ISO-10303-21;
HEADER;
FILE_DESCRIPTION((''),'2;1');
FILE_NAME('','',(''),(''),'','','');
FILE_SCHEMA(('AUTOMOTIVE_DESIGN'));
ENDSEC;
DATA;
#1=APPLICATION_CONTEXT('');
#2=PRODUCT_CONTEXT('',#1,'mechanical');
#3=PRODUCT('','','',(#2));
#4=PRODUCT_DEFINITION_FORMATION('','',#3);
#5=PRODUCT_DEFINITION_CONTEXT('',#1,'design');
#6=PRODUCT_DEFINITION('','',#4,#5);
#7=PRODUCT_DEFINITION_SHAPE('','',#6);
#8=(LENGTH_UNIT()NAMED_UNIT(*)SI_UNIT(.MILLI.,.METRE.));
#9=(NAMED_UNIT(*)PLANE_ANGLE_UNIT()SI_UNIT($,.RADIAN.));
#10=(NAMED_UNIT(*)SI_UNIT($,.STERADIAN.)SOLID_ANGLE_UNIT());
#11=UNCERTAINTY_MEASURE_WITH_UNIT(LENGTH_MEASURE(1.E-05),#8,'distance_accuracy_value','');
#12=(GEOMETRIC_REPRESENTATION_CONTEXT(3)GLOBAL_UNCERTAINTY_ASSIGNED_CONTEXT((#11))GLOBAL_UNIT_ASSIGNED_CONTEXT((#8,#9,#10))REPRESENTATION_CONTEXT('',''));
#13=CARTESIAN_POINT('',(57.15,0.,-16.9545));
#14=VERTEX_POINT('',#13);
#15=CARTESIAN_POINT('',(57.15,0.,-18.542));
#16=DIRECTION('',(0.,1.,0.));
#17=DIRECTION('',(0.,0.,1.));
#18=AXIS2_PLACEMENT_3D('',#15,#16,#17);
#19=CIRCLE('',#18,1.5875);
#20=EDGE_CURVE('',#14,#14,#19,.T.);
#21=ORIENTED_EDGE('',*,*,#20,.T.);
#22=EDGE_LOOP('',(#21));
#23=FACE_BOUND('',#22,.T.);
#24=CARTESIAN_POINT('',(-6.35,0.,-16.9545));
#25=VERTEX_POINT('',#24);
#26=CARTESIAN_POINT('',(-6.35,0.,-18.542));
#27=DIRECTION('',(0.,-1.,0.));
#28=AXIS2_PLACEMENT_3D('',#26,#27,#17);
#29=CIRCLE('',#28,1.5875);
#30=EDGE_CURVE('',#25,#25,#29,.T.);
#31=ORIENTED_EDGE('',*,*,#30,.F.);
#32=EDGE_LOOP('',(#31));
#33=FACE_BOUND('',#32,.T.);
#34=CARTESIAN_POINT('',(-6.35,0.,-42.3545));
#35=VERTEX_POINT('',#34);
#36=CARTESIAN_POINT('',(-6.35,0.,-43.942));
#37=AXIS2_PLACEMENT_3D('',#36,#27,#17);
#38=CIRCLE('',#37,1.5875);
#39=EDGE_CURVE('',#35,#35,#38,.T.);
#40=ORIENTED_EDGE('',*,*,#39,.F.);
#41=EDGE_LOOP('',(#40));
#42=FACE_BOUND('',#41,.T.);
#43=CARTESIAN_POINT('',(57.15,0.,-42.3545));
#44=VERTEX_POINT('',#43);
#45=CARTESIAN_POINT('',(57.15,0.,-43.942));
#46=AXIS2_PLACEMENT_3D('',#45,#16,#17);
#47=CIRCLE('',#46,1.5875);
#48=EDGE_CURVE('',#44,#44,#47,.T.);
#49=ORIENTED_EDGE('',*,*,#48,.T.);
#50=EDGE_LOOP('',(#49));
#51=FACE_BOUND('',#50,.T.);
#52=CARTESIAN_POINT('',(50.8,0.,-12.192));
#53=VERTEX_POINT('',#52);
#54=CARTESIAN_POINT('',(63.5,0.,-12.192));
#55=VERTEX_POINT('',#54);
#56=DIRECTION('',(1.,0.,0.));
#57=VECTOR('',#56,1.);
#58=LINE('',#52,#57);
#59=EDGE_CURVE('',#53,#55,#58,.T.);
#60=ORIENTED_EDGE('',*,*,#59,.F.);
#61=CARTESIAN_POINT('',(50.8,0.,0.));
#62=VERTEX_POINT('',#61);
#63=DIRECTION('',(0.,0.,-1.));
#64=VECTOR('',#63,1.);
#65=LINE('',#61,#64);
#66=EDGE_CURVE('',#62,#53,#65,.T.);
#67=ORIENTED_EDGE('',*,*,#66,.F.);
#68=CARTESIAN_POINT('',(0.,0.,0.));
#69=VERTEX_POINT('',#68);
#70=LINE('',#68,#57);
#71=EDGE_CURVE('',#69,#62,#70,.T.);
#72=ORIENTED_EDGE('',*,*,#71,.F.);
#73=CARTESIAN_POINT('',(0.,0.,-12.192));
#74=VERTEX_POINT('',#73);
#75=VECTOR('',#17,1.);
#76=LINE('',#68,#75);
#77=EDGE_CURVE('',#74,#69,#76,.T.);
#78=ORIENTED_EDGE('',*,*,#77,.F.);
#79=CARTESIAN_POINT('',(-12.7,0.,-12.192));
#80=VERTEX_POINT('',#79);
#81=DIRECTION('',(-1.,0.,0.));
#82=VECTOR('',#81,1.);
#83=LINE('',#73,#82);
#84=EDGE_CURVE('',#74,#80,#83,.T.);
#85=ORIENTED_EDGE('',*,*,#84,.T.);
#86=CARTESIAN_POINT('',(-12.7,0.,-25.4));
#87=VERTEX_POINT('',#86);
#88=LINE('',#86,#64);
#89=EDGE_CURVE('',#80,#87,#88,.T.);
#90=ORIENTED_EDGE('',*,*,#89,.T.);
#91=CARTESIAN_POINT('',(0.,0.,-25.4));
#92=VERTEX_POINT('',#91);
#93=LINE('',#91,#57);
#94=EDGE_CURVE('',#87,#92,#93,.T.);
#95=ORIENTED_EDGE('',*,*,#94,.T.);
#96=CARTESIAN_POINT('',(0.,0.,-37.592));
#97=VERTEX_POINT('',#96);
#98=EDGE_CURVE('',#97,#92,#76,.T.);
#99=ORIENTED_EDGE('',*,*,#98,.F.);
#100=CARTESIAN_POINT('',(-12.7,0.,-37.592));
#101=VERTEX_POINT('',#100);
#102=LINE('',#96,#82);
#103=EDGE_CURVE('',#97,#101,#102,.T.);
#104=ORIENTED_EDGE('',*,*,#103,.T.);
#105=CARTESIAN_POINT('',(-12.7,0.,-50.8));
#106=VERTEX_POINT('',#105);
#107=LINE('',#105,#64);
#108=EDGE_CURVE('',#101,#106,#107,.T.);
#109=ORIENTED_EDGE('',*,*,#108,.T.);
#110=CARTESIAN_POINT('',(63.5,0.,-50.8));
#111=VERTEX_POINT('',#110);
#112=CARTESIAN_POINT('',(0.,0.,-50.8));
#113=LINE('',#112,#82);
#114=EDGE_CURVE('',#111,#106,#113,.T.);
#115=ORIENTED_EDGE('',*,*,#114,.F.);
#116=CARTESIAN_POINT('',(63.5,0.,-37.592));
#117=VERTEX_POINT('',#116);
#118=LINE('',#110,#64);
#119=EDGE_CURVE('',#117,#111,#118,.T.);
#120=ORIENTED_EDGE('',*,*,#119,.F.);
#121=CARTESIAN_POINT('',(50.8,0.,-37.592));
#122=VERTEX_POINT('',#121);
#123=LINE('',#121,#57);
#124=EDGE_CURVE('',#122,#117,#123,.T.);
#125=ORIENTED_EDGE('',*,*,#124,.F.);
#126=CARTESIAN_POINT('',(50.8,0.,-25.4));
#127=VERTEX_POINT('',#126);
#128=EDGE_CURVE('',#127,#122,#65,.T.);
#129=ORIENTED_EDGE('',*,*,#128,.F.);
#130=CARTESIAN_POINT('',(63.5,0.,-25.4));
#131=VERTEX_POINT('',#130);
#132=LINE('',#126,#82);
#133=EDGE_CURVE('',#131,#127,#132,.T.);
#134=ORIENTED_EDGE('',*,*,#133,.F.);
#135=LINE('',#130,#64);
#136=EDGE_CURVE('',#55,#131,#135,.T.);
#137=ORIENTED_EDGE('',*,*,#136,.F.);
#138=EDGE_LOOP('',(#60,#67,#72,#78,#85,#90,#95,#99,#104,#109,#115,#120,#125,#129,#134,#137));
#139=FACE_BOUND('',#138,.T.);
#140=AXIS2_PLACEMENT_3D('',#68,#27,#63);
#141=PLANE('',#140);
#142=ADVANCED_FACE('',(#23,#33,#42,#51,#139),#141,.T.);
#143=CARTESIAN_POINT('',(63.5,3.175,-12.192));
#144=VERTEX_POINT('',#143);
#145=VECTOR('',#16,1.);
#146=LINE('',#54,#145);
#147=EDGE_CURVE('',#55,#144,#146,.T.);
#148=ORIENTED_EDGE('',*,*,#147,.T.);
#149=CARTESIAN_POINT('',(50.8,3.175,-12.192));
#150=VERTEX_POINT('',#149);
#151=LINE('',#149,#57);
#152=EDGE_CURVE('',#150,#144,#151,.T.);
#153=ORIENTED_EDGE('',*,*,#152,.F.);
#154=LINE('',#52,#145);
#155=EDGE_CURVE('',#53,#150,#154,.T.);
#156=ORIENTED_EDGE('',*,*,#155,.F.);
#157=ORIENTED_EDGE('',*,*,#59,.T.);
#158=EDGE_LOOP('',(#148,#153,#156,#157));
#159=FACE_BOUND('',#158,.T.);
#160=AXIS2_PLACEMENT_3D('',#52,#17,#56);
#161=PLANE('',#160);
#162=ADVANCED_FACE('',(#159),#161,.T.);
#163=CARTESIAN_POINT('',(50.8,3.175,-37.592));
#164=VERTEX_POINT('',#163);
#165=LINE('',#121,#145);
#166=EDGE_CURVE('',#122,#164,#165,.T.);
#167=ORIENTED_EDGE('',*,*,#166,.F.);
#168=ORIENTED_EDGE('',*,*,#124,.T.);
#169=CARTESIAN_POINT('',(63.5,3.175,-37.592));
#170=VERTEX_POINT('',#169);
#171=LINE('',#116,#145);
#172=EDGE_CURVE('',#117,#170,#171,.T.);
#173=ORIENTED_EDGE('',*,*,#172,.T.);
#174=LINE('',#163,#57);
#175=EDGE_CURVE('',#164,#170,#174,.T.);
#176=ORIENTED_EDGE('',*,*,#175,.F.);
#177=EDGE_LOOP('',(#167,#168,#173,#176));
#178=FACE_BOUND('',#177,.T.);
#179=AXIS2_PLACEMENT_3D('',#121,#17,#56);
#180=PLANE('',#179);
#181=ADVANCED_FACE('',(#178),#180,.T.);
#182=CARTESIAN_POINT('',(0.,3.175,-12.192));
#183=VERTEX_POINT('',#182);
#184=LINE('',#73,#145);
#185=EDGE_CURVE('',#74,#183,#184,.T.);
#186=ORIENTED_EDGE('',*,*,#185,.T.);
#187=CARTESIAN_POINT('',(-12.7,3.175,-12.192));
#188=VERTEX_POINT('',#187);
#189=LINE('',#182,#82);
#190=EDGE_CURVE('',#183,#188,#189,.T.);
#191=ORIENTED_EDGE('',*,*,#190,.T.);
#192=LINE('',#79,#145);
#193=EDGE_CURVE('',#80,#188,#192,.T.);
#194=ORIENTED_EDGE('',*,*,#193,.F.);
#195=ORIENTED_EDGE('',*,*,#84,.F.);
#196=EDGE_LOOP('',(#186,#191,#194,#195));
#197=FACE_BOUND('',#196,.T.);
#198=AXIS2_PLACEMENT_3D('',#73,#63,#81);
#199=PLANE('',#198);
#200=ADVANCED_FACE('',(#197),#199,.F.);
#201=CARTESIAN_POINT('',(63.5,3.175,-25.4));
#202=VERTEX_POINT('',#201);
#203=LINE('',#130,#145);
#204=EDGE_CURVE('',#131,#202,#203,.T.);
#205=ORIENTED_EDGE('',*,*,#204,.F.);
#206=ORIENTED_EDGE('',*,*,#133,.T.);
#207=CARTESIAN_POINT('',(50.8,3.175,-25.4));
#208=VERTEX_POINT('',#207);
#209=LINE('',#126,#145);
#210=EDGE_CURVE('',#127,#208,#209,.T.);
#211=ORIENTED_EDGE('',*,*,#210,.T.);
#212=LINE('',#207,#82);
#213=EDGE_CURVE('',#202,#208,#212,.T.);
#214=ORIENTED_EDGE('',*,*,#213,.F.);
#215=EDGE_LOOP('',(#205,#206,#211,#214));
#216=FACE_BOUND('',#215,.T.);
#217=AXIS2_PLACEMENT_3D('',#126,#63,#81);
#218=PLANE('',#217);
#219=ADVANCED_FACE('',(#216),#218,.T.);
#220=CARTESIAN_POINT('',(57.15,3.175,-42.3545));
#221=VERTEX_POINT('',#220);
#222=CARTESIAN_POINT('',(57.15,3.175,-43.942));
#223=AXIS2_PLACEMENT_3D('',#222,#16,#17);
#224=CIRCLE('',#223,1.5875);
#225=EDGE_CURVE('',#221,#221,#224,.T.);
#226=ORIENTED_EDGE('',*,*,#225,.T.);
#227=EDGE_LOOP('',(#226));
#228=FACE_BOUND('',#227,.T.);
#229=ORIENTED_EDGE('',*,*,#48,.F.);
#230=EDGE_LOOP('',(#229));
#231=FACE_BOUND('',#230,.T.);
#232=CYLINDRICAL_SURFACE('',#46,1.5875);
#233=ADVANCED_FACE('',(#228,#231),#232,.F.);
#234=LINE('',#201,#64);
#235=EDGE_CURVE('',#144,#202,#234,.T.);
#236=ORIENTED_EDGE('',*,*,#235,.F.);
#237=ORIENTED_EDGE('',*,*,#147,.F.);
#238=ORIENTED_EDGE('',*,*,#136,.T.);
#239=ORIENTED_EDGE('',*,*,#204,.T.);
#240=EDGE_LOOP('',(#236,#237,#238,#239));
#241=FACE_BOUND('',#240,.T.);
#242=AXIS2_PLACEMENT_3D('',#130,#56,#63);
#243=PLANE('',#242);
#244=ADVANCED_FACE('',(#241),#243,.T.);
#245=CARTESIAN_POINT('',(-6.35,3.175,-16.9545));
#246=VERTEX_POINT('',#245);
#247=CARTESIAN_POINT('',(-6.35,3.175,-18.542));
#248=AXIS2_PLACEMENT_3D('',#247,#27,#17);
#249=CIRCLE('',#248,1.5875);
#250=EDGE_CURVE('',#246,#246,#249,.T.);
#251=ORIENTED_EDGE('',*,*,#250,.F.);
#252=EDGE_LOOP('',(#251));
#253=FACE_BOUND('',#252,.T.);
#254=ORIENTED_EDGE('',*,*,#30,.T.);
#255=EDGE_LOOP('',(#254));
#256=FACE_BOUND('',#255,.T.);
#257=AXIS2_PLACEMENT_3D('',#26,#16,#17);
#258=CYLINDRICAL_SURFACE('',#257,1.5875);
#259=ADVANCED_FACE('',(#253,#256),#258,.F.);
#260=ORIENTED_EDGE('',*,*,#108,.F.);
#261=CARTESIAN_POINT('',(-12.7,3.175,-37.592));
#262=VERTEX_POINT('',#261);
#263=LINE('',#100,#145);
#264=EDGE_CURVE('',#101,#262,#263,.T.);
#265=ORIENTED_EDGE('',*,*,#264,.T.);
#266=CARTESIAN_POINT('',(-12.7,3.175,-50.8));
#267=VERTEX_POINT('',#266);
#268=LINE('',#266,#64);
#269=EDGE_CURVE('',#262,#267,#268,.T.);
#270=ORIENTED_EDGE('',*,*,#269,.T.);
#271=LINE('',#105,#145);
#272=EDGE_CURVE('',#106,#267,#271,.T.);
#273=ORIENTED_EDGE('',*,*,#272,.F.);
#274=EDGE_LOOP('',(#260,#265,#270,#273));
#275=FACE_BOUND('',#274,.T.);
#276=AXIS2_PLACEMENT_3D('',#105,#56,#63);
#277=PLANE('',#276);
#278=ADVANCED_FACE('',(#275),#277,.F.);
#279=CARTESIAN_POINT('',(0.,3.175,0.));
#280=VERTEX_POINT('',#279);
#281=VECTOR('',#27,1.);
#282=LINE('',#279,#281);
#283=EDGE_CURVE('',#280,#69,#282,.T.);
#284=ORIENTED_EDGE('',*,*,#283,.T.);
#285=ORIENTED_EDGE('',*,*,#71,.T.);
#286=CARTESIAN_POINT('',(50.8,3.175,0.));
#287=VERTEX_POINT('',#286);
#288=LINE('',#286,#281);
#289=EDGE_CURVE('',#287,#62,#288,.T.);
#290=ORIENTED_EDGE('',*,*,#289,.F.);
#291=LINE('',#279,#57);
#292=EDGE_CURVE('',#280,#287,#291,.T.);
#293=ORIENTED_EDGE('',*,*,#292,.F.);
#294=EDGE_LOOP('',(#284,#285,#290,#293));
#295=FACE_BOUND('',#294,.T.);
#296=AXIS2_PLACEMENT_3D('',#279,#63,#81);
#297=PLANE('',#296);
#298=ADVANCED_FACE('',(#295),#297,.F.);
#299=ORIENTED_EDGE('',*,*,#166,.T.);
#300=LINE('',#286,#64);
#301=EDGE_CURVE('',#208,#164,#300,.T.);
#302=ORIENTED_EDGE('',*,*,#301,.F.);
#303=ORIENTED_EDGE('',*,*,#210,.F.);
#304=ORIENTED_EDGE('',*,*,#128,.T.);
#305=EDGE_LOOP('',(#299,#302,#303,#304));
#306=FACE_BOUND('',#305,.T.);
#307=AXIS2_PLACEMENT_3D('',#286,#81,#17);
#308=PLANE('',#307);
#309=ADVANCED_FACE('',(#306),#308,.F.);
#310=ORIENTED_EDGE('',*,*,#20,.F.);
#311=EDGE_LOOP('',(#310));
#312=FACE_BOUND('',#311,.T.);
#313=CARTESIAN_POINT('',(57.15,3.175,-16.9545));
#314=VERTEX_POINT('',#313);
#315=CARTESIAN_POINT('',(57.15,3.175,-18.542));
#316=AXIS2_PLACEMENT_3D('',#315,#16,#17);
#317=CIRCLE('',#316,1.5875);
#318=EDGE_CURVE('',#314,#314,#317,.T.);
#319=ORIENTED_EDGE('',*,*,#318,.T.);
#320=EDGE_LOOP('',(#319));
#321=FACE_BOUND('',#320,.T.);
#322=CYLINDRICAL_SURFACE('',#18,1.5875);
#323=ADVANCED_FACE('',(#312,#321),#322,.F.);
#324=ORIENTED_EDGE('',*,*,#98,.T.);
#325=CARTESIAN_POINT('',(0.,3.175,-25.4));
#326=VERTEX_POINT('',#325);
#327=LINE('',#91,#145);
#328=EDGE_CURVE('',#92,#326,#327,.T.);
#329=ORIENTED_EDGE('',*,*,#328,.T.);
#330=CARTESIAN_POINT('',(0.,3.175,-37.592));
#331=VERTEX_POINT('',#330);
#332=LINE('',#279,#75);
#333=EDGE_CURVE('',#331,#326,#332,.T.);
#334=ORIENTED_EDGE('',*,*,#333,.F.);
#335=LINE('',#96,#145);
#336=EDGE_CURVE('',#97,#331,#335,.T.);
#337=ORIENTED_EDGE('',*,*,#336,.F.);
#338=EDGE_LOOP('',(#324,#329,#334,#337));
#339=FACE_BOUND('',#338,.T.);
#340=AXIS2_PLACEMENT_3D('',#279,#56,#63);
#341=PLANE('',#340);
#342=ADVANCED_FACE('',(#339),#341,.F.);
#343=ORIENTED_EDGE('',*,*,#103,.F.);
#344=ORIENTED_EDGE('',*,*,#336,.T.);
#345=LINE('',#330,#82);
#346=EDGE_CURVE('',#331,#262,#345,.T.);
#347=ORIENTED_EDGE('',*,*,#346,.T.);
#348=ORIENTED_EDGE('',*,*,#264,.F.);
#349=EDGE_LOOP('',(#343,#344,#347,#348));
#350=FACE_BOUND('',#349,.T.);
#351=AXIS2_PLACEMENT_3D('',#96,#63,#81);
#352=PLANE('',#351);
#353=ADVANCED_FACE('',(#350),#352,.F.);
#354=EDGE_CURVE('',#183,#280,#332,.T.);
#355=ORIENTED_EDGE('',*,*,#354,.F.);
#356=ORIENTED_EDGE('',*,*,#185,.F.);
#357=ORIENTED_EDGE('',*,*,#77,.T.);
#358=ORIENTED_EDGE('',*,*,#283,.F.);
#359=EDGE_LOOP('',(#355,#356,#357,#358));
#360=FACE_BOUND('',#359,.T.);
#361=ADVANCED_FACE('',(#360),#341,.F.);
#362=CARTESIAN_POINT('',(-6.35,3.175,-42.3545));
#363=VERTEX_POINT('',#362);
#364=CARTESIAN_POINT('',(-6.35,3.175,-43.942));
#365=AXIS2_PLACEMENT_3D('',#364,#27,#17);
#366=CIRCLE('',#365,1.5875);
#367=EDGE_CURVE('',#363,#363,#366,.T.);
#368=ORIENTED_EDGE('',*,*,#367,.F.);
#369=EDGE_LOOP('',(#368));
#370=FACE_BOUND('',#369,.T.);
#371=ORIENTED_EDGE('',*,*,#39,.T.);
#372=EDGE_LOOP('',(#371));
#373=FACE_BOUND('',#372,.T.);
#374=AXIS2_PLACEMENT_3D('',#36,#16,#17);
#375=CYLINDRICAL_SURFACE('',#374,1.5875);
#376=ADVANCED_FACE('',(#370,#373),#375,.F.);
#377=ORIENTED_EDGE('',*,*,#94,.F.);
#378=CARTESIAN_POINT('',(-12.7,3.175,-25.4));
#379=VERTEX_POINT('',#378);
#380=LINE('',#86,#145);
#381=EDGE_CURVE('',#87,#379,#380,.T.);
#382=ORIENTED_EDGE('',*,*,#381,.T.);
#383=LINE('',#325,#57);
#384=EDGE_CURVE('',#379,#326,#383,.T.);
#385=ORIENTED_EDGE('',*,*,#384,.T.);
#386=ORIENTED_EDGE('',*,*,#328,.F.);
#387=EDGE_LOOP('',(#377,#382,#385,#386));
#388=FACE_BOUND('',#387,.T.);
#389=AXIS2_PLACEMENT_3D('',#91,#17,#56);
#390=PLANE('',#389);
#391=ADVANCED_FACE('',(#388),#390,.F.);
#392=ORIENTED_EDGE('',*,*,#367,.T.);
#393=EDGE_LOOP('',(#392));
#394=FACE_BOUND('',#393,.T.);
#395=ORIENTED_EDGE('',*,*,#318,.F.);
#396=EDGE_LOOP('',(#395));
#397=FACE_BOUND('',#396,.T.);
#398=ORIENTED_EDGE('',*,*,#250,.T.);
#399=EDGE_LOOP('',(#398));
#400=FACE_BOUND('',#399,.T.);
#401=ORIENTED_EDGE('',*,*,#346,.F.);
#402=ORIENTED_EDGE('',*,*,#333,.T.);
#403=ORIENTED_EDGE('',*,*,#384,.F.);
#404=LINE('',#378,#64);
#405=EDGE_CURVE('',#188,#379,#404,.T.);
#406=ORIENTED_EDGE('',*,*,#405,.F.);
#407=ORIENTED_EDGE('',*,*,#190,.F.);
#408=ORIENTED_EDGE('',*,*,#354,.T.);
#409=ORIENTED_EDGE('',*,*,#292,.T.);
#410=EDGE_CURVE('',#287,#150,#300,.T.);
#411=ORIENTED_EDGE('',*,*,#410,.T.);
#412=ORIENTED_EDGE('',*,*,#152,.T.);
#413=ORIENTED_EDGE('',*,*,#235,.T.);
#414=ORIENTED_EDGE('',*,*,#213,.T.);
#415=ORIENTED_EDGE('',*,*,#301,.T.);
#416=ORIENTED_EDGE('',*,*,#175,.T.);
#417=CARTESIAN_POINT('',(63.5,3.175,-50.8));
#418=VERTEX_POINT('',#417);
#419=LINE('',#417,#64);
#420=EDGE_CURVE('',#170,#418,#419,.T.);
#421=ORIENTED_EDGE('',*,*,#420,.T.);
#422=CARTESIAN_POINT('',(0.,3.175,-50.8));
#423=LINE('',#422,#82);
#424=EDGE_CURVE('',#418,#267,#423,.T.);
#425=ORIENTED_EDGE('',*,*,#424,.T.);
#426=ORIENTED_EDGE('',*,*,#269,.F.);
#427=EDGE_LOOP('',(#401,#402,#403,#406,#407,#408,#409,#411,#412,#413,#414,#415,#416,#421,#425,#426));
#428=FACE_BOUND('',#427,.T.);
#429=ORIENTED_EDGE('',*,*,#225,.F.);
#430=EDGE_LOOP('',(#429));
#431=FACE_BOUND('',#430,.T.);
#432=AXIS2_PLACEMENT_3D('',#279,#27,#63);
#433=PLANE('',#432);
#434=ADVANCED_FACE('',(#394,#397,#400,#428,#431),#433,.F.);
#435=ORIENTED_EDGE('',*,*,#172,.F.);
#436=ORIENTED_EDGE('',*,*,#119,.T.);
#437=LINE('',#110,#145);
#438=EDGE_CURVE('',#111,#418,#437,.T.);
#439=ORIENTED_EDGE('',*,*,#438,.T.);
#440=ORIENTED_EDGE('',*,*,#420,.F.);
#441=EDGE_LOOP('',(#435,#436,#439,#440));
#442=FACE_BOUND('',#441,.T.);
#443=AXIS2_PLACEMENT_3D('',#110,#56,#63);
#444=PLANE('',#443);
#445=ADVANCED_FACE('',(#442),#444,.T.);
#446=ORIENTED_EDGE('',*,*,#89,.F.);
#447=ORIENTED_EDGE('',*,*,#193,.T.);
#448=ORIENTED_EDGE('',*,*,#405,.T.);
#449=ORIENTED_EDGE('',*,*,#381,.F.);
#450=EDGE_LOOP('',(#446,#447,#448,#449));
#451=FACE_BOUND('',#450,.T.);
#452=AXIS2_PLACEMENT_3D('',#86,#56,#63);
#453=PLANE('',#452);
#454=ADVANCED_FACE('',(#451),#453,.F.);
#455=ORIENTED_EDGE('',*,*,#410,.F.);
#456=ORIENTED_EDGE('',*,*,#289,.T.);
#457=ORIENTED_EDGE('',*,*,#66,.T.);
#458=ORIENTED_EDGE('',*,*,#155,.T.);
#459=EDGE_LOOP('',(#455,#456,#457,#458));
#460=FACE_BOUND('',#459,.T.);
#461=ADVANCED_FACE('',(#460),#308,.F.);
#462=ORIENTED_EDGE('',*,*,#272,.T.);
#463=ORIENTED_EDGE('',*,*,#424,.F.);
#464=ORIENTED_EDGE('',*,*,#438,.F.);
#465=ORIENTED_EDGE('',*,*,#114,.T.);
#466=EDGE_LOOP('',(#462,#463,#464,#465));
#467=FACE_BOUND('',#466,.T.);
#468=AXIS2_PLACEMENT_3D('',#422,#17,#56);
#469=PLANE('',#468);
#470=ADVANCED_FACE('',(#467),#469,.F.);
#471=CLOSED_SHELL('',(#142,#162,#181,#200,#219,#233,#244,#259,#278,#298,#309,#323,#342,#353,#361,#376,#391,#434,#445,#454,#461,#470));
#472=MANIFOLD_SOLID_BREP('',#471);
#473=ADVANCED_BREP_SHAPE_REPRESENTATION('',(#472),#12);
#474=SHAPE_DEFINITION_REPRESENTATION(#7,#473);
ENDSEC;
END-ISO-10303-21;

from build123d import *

# Parameters (mm, degrees)
SKETCH1_W               = 50.8
SKETCH1_H               = 50.8
BOSS_EXTRUDE1_DEPTH     = 3.175
SKETCH2_W               = 12.7
SKETCH2_H               = 13.208
SKETCH2_R               = 1.5875
BOSS_EXTRUDE2_DEPTH     = 3.175
LPATTERN1_COUNT         = 2
LPATTERN1_PITCH         = 25.4
MIRROR1_COPY_1_SKETCH_W = 12.7
MIRROR1_COPY_1_SKETCH_H = 13.208
MIRROR1_COPY_1_SKETCH_R = 1.5875
MIRROR1_COPY_1_DEPTH    = 3.175


with BuildPart() as part:
    # Sketch1 → Boss-Extrude1 (new body)
    with BuildSketch(Plane(origin=(0, 0, 0), x_dir=(1, 0, 0), z_dir=(0, 1, 0))):
        with Locations((25.4, 25.4)):
            Rectangle(SKETCH1_W, SKETCH1_H)
    extrude(amount=BOSS_EXTRUDE1_DEPTH)

    # Sketch2 → Boss-Extrude2 (add)
    with BuildSketch(Plane(origin=(0, 3.175, 0), x_dir=(1, 0, 0), z_dir=(0, 1, 0))):
        with Locations((57.15, 44.196)):
            Rectangle(SKETCH2_W, SKETCH2_H)
        with Locations((57.15, 43.942)):
            Circle(SKETCH2_R, mode=Mode.SUBTRACT)
    boss_extrude2 = extrude(amount=-BOSS_EXTRUDE2_DEPTH)

    # LPattern1: Boss-Extrude2 ×2
    with Locations(*[(0, 0, i * LPATTERN1_PITCH) for i in range(1, LPATTERN1_COUNT)]):
        add(boss_extrude2)

    # Mirror1: Boss-Extrude2 across plane
    add(boss_extrude2.mirror(Plane.ZY.offset(-25.4)))

    # Mirror1 copy 1 sketch → Mirror1 copy 1 (add)
    with BuildSketch(Plane(origin=(50.8, 3.175, 25.4), x_dir=(-1, 0, 0), z_dir=(0, 1, 0))):
        with Locations((57.15, -44.196)):
            Rectangle(MIRROR1_COPY_1_SKETCH_W, MIRROR1_COPY_1_SKETCH_H)
        with Locations((57.15, -43.942)):
            Circle(MIRROR1_COPY_1_SKETCH_R, mode=Mode.SUBTRACT)
    extrude(amount=-MIRROR1_COPY_1_DEPTH)


solid = part.part
